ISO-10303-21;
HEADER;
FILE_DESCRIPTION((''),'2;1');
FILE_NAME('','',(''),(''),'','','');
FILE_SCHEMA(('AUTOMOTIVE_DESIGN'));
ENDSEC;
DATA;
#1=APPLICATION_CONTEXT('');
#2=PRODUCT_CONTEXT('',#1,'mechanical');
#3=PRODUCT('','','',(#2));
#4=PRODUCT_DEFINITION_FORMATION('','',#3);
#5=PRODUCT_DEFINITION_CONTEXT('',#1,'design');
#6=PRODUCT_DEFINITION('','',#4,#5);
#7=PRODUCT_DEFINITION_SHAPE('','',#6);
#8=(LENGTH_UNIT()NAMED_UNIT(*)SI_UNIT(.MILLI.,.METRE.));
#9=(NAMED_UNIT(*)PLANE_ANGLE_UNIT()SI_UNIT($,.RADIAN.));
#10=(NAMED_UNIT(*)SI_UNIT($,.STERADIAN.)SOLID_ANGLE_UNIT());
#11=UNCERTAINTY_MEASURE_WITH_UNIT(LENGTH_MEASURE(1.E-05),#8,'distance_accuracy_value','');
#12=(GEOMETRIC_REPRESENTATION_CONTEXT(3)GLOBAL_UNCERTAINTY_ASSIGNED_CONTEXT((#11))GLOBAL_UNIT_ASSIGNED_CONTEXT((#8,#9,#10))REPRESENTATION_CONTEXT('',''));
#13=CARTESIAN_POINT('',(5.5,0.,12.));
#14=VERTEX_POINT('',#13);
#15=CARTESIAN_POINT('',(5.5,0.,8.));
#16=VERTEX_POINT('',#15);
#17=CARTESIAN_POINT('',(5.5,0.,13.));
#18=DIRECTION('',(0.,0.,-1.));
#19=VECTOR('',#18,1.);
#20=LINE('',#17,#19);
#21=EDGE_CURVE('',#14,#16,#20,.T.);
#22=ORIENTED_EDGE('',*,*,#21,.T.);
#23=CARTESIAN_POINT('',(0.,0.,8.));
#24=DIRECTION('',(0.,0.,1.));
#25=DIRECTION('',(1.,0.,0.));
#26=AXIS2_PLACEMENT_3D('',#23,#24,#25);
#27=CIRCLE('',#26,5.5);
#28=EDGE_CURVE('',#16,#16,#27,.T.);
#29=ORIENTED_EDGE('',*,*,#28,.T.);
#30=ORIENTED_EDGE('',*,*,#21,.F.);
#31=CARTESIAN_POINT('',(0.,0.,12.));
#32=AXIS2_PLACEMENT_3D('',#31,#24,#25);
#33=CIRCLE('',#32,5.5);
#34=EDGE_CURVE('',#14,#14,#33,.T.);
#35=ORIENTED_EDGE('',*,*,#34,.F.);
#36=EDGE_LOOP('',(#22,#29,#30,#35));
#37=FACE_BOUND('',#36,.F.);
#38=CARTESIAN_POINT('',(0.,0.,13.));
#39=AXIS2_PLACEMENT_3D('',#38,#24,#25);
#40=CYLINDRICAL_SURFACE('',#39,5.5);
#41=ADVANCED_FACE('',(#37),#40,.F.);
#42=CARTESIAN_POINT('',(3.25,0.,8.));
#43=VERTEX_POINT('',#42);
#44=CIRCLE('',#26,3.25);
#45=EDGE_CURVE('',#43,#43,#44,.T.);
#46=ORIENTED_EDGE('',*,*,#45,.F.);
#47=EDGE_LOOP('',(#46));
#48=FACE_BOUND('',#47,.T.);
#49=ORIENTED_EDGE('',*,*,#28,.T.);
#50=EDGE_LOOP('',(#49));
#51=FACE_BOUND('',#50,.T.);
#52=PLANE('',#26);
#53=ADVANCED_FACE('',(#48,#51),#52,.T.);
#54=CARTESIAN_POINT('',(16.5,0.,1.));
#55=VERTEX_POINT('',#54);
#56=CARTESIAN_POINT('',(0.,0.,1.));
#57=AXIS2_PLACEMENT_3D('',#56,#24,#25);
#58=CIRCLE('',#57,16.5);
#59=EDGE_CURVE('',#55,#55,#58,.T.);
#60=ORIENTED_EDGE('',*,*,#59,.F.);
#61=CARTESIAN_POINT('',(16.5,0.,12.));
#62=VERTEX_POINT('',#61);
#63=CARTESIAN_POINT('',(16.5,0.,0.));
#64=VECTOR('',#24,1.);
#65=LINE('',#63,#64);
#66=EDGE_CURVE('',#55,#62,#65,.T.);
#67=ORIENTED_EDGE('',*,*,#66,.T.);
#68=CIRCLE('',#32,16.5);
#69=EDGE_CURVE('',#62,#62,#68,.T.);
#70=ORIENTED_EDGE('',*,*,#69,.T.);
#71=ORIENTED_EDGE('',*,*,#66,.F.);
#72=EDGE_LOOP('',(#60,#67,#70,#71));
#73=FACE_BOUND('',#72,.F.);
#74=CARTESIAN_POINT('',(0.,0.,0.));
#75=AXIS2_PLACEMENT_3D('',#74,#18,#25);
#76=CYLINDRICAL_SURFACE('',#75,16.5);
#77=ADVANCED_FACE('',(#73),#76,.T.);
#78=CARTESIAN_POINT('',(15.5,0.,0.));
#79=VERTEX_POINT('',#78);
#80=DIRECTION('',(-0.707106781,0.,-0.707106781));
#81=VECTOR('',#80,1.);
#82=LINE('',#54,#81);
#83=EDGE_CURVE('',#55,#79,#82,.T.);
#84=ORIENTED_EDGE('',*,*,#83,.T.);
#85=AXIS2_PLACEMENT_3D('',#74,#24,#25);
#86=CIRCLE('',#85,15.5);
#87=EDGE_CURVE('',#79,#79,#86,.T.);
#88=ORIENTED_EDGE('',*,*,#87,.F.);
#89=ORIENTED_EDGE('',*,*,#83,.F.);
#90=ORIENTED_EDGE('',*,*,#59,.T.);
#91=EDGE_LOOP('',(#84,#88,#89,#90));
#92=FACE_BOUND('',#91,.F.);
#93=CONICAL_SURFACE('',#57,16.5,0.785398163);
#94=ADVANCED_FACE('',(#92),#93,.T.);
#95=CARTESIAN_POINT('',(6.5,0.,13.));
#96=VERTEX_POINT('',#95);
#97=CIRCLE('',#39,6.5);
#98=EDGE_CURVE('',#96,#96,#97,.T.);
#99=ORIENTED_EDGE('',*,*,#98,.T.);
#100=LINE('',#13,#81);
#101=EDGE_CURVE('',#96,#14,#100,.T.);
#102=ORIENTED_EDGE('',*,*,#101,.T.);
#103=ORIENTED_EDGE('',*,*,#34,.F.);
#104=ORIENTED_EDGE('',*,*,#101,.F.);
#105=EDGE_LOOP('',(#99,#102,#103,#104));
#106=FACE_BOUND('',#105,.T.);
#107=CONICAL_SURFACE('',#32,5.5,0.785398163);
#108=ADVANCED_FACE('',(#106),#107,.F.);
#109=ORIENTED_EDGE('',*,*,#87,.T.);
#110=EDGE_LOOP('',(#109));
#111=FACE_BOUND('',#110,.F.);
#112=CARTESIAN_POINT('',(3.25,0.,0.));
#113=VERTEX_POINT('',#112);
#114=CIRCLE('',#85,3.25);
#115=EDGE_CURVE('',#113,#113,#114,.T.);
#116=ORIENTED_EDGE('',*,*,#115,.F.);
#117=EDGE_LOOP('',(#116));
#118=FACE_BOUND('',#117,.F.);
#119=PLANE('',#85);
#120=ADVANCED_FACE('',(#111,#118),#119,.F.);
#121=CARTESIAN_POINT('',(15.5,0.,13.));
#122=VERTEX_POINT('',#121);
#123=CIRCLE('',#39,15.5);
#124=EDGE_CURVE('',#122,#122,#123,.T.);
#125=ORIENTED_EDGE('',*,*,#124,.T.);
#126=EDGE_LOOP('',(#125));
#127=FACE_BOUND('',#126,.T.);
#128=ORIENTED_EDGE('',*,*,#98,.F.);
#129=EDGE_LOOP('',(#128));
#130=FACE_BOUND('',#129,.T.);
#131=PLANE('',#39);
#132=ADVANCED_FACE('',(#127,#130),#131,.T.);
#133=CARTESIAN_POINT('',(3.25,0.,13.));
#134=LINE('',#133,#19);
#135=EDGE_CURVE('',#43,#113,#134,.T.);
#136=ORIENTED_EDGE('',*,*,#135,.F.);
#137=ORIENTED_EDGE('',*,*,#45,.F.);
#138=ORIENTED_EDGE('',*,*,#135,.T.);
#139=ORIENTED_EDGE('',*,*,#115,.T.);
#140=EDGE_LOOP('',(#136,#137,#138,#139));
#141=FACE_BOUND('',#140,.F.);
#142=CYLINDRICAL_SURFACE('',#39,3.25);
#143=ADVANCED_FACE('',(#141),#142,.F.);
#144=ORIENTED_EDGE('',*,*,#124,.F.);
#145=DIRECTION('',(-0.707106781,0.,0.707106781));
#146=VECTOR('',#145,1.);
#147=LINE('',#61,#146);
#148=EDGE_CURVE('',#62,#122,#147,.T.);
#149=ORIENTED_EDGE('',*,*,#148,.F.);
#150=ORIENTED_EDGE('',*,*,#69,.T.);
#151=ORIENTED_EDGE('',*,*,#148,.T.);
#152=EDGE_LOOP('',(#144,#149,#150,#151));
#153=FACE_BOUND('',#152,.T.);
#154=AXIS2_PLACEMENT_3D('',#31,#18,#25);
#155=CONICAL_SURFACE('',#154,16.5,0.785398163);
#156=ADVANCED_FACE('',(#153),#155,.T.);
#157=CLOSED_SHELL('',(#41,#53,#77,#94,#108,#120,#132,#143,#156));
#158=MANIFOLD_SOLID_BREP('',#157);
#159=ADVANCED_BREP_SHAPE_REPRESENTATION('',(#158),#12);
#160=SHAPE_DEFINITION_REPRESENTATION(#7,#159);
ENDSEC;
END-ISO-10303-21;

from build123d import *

# Parameters (mm, degrees)
SKETCH_R        = 16.5
PAD_DEPTH       = 13
SKETCH002_R     = 3.25
POCKET_DEPTH    = 13.001
SKETCH001_R     = 5.5
POCKET001_DEPTH = 5
CHAMFER_SIZE    = 1
CHAMFER001_SIZE = 1
CHAMFER002_SIZE = 1


with BuildPart() as part:
    # Sketch → Pad (new body)
    with BuildSketch(Plane.XY):
        Circle(SKETCH_R)
    extrude(amount=PAD_DEPTH)

    # Sketch002 (on Face3 of Pad) → Pocket (cut, through all)
    with BuildSketch(Plane.XY.offset(13)):
        Circle(SKETCH002_R)
    extrude(amount=-POCKET_DEPTH, mode=Mode.SUBTRACT)

    # Sketch001 (on Face3 of Pad) → Pocket001 (cut)
    with BuildSketch(Plane.XY.offset(13)):
        Circle(SKETCH001_R)
    extrude(amount=-POCKET001_DEPTH, mode=Mode.SUBTRACT)

    # Chamfer
    chamfer_edges = [part.edges().sort_by_distance(p)[0] for p in [
        (-16.5, 0, 0),
    ]]
    chamfer(chamfer_edges, length=CHAMFER_SIZE)

    # Chamfer001
    chamfer001_edges = [part.edges().sort_by_distance(p)[0] for p in [
        (-16.5, 0, 13),
    ]]
    chamfer(chamfer001_edges, length=CHAMFER001_SIZE)

    # Chamfer002
    chamfer002_edges = [part.edges().sort_by_distance(p)[0] for p in [
        (-5.5, 0, 13),
    ]]
    chamfer(chamfer002_edges, length=CHAMFER002_SIZE)


solid = part.part
